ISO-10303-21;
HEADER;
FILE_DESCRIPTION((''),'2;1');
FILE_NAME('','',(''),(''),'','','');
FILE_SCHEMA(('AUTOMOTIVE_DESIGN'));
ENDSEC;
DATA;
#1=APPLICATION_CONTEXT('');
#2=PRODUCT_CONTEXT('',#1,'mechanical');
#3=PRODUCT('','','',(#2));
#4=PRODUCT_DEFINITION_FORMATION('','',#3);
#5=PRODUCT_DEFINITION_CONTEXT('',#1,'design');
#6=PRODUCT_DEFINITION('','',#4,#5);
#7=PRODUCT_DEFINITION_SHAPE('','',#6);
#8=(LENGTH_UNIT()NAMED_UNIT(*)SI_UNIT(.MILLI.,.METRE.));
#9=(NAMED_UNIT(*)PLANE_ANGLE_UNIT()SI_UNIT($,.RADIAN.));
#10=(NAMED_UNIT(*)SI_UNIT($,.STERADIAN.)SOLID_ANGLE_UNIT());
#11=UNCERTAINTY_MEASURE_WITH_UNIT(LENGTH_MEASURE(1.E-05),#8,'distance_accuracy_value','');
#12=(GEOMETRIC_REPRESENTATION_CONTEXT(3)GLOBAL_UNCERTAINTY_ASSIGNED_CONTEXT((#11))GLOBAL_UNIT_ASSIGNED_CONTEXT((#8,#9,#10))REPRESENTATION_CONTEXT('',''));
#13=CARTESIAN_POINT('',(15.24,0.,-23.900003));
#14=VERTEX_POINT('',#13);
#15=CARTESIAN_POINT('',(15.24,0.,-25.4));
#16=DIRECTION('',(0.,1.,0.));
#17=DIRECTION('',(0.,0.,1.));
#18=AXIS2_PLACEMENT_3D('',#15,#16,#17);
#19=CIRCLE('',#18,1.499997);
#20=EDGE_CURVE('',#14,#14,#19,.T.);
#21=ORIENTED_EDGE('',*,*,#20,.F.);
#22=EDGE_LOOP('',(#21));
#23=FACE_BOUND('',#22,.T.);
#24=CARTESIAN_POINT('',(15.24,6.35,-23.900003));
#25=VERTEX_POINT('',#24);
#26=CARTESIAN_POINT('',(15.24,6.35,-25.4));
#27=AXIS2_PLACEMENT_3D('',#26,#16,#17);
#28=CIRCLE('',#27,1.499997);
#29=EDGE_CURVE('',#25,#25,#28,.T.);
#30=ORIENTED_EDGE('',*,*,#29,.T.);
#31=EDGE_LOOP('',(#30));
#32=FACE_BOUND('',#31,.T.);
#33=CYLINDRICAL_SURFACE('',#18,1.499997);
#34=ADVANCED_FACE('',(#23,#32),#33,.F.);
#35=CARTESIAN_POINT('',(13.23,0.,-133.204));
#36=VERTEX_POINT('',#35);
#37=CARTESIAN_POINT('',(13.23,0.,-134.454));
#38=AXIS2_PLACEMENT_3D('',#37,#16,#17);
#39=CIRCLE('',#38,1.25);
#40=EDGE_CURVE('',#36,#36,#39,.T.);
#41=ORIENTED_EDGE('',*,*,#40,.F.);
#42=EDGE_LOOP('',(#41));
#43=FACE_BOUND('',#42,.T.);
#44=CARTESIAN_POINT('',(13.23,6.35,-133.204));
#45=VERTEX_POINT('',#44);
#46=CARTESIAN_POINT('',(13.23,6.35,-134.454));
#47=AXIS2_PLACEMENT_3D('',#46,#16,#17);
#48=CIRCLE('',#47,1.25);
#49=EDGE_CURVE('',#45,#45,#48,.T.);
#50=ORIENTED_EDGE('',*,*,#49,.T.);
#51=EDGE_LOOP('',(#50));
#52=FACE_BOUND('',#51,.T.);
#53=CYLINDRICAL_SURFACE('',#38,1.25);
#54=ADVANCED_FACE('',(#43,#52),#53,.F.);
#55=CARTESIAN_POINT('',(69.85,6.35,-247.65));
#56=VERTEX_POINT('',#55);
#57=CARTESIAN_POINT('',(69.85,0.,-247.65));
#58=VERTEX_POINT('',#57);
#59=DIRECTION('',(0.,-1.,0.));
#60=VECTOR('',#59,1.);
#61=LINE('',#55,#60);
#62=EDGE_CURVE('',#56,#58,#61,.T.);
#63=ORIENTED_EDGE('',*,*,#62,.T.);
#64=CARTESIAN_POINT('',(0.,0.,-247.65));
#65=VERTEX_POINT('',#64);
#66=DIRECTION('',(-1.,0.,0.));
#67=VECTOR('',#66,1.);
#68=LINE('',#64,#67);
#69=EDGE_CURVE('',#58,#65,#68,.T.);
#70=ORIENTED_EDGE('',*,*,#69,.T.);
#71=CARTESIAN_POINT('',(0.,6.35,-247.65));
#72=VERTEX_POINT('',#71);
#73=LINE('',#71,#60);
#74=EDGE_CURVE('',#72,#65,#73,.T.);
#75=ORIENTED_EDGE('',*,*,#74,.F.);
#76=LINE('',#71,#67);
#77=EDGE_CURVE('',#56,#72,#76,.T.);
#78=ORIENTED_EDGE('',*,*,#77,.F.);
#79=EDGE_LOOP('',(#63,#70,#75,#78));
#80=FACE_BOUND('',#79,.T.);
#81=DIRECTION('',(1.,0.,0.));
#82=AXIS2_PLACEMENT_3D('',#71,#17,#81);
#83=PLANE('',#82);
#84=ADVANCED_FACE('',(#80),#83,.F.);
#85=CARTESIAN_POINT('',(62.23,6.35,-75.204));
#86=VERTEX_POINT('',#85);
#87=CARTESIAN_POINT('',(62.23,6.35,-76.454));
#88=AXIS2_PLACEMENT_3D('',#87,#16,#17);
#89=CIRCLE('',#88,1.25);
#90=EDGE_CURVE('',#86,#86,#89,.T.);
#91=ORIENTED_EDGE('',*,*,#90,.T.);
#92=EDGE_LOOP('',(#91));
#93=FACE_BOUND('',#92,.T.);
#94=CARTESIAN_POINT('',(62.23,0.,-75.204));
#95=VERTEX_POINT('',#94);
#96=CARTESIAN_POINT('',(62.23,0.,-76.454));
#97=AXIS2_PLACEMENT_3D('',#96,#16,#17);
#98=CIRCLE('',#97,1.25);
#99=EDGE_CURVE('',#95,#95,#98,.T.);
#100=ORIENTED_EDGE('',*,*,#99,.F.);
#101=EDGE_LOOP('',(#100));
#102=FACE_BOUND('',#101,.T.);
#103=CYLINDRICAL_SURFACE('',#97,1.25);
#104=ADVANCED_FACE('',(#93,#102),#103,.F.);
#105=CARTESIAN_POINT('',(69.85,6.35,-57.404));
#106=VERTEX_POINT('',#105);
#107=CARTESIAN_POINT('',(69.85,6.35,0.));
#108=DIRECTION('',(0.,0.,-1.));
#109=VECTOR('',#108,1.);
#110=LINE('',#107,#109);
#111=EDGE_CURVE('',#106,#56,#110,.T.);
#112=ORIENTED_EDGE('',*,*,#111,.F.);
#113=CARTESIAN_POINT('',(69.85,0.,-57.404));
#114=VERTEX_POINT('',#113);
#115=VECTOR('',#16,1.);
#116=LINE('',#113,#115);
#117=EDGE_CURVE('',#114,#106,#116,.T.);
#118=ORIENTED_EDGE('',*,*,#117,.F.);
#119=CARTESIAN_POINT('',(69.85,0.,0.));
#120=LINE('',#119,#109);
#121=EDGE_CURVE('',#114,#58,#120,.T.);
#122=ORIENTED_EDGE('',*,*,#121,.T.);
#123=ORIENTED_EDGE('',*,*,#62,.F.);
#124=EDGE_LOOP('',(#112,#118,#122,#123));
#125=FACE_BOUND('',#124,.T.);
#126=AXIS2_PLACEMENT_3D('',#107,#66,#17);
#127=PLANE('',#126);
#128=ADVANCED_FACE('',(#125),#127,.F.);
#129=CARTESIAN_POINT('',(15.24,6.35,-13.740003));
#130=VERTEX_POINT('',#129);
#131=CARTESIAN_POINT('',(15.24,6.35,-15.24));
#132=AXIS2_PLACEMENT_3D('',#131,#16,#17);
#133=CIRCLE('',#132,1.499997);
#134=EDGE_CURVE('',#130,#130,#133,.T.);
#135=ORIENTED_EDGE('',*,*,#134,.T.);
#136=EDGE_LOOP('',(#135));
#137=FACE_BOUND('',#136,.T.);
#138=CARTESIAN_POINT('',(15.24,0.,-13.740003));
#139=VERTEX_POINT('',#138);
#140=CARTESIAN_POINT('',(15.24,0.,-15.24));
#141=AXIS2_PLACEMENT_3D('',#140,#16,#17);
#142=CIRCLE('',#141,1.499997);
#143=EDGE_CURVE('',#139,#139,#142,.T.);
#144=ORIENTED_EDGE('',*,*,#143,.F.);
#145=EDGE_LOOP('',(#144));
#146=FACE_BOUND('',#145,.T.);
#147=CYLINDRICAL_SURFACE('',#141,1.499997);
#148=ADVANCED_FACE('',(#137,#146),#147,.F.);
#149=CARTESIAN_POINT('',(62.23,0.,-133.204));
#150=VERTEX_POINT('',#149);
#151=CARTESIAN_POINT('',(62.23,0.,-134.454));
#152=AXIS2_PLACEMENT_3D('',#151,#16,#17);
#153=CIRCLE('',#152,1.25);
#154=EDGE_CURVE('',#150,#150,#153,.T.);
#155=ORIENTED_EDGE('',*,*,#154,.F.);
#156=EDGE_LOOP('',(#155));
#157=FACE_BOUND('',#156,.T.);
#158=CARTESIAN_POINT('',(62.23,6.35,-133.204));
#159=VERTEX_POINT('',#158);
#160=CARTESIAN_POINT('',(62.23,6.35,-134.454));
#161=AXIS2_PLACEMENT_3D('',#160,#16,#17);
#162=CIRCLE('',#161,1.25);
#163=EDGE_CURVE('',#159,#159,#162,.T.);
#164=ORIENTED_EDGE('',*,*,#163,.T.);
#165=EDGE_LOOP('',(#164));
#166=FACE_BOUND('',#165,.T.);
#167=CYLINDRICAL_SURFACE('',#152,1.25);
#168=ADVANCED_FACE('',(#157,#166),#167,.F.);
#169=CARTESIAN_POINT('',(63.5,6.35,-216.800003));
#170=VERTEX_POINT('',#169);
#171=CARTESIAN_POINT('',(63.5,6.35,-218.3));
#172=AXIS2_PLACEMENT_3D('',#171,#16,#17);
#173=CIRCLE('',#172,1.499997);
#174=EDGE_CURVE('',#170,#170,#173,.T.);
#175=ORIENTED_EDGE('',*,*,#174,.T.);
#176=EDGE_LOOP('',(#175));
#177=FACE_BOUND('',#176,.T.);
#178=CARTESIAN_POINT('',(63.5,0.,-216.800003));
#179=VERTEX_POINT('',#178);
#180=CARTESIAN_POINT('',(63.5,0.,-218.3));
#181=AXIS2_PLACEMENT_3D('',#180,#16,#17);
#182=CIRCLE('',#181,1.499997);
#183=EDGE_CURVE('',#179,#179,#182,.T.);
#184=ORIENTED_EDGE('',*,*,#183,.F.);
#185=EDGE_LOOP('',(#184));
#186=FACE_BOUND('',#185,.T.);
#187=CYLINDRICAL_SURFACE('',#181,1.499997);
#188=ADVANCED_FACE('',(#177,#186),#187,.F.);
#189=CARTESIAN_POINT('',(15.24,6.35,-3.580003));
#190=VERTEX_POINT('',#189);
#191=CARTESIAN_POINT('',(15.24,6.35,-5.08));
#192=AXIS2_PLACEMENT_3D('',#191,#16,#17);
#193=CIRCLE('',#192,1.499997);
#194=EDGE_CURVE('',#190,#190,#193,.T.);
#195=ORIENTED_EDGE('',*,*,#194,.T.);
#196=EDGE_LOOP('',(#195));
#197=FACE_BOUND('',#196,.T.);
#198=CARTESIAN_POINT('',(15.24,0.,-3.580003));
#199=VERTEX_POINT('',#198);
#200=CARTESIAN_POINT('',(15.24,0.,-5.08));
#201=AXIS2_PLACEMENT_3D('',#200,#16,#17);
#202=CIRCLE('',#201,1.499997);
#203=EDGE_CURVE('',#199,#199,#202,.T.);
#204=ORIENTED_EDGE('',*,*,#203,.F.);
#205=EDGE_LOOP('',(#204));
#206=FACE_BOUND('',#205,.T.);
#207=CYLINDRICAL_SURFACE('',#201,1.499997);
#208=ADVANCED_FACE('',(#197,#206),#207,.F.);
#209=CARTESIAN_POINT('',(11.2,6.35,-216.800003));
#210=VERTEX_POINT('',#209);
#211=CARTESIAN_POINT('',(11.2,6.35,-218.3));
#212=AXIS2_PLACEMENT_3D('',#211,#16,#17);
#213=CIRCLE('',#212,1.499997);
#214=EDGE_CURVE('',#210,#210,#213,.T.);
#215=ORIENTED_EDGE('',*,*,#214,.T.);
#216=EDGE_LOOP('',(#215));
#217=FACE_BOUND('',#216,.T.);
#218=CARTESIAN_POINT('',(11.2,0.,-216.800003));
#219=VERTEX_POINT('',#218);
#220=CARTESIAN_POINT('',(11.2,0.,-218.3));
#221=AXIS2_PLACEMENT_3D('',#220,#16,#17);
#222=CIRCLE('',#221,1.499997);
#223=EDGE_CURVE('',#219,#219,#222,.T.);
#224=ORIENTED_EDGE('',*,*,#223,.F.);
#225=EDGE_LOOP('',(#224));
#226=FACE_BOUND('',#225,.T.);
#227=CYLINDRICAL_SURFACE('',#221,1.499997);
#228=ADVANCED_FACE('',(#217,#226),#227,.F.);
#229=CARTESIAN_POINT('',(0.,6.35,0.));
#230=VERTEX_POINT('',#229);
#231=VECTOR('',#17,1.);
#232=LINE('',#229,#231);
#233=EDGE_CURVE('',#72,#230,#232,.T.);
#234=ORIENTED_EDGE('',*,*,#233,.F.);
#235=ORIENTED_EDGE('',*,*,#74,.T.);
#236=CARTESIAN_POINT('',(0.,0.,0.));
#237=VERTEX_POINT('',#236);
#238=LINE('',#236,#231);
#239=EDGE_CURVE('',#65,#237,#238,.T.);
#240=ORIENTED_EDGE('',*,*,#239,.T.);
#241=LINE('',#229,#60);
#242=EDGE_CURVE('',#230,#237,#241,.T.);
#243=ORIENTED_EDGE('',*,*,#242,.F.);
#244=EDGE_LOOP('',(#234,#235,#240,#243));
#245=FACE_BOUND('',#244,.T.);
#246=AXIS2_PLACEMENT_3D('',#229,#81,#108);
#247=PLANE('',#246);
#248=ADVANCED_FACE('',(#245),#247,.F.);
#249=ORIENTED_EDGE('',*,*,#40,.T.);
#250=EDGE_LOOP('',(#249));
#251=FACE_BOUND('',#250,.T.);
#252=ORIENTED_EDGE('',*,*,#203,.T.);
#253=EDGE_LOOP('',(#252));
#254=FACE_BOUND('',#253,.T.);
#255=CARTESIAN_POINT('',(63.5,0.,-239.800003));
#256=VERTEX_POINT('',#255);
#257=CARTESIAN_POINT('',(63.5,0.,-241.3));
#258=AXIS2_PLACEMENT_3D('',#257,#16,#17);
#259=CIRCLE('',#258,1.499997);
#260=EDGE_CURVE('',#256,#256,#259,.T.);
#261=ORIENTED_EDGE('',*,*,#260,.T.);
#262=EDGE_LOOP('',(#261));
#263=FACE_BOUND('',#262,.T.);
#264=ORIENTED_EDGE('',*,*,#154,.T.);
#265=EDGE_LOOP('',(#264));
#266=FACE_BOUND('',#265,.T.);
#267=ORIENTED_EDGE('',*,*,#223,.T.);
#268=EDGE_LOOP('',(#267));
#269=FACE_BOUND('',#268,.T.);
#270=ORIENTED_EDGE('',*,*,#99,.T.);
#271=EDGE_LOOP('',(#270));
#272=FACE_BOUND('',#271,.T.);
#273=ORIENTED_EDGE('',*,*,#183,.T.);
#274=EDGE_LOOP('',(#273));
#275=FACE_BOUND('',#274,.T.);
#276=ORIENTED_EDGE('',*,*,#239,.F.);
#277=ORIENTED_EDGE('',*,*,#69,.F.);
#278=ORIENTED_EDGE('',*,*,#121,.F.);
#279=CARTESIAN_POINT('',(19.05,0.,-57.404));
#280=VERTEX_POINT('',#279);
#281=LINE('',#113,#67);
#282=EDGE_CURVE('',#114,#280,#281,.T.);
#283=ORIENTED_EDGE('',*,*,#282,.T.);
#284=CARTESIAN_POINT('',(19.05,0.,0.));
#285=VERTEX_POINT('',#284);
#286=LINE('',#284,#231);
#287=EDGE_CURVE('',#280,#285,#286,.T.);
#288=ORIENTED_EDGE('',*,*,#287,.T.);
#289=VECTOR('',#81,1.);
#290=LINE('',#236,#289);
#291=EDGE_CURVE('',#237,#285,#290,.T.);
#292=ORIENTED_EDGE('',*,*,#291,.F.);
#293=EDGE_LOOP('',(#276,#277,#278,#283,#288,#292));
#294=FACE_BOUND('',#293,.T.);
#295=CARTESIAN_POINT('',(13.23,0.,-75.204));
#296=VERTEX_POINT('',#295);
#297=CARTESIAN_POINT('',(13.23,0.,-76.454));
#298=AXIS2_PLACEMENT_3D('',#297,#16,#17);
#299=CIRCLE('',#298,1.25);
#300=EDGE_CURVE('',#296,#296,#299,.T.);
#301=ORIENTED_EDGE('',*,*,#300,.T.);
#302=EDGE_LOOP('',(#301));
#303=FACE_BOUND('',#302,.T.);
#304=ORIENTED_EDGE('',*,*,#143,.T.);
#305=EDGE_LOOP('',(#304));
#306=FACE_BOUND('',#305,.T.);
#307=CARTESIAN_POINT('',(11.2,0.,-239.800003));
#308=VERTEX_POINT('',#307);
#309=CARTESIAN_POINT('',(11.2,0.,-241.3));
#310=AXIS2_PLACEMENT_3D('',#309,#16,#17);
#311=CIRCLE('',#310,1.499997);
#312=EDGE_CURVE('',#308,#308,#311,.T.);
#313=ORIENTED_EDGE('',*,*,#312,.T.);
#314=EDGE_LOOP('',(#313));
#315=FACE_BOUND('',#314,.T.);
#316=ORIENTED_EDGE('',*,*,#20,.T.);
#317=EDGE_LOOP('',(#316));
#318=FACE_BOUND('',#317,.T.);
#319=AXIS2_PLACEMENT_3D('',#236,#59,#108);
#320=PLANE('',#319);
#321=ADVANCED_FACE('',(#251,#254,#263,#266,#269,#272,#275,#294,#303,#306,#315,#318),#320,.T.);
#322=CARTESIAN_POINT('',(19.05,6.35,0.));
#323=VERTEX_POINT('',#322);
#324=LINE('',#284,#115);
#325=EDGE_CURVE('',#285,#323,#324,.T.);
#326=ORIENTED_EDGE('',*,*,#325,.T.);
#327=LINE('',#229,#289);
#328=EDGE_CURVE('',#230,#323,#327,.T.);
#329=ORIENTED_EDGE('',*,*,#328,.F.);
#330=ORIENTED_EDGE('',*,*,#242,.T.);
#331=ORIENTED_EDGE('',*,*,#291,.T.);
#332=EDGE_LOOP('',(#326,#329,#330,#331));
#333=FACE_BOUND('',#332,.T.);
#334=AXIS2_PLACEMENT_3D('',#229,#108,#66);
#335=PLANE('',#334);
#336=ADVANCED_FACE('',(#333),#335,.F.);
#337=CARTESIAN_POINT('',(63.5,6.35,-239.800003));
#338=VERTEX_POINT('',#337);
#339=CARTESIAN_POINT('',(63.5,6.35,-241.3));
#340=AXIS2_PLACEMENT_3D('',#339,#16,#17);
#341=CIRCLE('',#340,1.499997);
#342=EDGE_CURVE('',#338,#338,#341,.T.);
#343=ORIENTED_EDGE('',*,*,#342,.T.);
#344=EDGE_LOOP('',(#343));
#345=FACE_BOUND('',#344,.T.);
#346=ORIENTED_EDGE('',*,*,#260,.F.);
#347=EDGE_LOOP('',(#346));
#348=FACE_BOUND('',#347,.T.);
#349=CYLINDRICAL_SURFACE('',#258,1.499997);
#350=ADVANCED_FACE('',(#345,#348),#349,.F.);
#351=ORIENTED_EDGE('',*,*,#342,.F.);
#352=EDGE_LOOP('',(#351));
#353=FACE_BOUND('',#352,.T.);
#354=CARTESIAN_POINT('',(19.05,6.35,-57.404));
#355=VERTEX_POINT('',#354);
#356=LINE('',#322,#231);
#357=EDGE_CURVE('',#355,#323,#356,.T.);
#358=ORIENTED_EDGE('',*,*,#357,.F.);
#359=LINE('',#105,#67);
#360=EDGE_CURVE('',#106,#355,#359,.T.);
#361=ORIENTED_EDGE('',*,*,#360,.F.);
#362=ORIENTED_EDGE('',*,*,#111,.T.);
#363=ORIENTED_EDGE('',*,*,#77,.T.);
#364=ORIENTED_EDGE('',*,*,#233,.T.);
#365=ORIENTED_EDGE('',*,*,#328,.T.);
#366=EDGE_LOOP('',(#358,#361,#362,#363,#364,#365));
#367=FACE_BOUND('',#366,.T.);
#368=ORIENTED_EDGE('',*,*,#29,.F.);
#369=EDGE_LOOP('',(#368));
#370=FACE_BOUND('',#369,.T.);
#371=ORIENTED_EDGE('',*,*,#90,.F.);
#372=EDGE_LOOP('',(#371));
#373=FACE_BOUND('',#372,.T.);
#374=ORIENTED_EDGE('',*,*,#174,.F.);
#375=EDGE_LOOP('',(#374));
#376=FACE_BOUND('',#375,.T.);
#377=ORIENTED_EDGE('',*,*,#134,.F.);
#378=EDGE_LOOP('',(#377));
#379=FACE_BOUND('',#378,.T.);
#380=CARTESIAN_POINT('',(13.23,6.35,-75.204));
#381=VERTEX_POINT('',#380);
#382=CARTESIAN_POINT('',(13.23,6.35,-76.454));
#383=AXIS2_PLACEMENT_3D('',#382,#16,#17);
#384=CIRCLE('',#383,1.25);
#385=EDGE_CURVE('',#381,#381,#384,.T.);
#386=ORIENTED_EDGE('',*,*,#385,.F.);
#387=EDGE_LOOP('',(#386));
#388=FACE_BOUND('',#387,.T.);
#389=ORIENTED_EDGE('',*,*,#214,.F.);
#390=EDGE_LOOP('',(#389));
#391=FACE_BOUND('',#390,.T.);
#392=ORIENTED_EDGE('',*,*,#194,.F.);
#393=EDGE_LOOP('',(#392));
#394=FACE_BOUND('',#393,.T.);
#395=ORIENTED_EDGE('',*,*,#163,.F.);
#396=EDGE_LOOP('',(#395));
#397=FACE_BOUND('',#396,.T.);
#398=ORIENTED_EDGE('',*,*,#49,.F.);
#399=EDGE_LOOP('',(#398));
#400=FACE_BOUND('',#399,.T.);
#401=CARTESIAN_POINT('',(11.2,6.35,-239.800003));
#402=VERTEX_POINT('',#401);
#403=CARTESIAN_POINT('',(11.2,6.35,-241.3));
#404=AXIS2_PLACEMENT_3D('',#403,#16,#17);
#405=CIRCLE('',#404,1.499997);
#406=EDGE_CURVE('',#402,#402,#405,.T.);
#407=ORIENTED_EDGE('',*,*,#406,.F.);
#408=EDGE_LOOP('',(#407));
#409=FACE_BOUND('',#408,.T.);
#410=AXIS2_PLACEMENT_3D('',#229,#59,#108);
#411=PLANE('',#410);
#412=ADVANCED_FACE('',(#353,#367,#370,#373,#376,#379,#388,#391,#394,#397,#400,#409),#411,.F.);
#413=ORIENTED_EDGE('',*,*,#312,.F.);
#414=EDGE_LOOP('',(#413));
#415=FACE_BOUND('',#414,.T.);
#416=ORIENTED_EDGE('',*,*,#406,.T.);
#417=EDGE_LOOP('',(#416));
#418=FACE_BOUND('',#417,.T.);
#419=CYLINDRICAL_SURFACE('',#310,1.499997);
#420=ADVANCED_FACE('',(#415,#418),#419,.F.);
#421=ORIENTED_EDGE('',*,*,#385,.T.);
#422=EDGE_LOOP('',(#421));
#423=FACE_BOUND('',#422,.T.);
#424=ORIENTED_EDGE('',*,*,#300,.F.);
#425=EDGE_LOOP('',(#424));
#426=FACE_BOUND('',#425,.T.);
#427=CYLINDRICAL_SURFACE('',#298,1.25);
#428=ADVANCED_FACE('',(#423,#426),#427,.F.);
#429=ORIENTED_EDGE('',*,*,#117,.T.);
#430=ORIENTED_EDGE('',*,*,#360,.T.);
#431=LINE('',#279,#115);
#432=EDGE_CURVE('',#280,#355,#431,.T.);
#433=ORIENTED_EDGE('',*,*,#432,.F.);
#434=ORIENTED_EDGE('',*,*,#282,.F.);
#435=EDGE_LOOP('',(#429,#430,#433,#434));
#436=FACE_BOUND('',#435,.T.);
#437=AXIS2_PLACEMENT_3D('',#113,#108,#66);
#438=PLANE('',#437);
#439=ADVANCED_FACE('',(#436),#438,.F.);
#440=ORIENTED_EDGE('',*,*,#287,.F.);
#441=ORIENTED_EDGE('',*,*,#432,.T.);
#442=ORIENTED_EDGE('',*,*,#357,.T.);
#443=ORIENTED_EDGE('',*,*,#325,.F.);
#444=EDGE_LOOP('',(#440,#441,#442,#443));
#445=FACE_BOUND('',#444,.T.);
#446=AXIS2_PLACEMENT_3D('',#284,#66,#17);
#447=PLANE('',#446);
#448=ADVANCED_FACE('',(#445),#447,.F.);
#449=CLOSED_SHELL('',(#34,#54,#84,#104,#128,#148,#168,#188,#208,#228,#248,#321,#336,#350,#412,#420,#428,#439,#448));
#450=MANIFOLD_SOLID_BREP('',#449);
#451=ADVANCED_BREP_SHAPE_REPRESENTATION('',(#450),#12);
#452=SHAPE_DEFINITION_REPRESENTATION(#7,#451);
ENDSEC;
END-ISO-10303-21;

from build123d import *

# Parameters (mm, degrees)
SKETCH1_W           = 69.85
SKETCH1_H           = 247.65
BOSS_EXTRUDE1_DEPTH = 6.35
SKETCH2_W           = 50.8
SKETCH2_H           = 57.404
CUT_EXTRUDE1_DEPTH  = 7.35
SKETCH3_R           = 1.499997
CUT_EXTRUDE2_DEPTH  = 7.35
SKETCH4_R           = 1.499997
CUT_EXTRUDE3_DEPTH  = 7.35
SKETCH5_R           = 1.25
CUT_EXTRUDE4_DEPTH  = 7.35


with BuildPart() as part:
    # Sketch1 → Boss-Extrude1 (new body)
    with BuildSketch(Plane(origin=(0, 0, 0), x_dir=(1, 0, 0), z_dir=(0, 1, 0))):
        with Locations((34.925, 123.825)):
            Rectangle(SKETCH1_W, SKETCH1_H)
    extrude(amount=BOSS_EXTRUDE1_DEPTH)

    # Sketch2 → Cut-Extrude1 (cut, through all)
    with BuildSketch(Plane(origin=(0, 6.35, 0), x_dir=(1, 0, 0), z_dir=(0, 1, 0))):
        with Locations((44.45, 28.702)):
            Rectangle(SKETCH2_W, SKETCH2_H)
    extrude(amount=-CUT_EXTRUDE1_DEPTH, mode=Mode.SUBTRACT)

    # Sketch3 → Cut-Extrude2 (cut, through all)
    with BuildSketch(Plane(origin=(0, 6.35, 0), x_dir=(1, 0, 0), z_dir=(0, 1, 0))):
        with Locations((15.24, 5.08)):
            Circle(SKETCH3_R)
        with Locations((15.24, 25.4)):
            Circle(SKETCH3_R)
        with Locations((15.24, 15.24)):
            Circle(SKETCH3_R)
    extrude(amount=-CUT_EXTRUDE2_DEPTH, mode=Mode.SUBTRACT)

    # Sketch4 → Cut-Extrude3 (cut, through all)
    with BuildSketch(Plane(origin=(0, 6.35, 0), x_dir=(1, 0, 0), z_dir=(0, 1, 0))):
        with Locations((63.5, 241.3)):
            Circle(SKETCH4_R)
        with Locations((63.5, 218.3)):
            Circle(SKETCH4_R)
        with Locations((11.2, 218.3)):
            Circle(SKETCH4_R)
        with Locations((11.2, 241.3)):
            Circle(SKETCH4_R)
    extrude(amount=-CUT_EXTRUDE3_DEPTH, mode=Mode.SUBTRACT)

    # Sketch5 → Cut-Extrude4 (cut, through all)
    with BuildSketch(Plane(origin=(0, 6.35, 0), x_dir=(1, 0, 0), z_dir=(0, 1, 0))):
        with Locations((13.23, 134.454)):
            Circle(SKETCH5_R)
        with Locations((62.23, 134.454)):
            Circle(SKETCH5_R)
        with Locations((62.23, 76.454)):
            Circle(SKETCH5_R)
        with Locations((13.23, 76.454)):
            Circle(SKETCH5_R)
    extrude(amount=-CUT_EXTRUDE4_DEPTH, mode=Mode.SUBTRACT)


solid = part.part
